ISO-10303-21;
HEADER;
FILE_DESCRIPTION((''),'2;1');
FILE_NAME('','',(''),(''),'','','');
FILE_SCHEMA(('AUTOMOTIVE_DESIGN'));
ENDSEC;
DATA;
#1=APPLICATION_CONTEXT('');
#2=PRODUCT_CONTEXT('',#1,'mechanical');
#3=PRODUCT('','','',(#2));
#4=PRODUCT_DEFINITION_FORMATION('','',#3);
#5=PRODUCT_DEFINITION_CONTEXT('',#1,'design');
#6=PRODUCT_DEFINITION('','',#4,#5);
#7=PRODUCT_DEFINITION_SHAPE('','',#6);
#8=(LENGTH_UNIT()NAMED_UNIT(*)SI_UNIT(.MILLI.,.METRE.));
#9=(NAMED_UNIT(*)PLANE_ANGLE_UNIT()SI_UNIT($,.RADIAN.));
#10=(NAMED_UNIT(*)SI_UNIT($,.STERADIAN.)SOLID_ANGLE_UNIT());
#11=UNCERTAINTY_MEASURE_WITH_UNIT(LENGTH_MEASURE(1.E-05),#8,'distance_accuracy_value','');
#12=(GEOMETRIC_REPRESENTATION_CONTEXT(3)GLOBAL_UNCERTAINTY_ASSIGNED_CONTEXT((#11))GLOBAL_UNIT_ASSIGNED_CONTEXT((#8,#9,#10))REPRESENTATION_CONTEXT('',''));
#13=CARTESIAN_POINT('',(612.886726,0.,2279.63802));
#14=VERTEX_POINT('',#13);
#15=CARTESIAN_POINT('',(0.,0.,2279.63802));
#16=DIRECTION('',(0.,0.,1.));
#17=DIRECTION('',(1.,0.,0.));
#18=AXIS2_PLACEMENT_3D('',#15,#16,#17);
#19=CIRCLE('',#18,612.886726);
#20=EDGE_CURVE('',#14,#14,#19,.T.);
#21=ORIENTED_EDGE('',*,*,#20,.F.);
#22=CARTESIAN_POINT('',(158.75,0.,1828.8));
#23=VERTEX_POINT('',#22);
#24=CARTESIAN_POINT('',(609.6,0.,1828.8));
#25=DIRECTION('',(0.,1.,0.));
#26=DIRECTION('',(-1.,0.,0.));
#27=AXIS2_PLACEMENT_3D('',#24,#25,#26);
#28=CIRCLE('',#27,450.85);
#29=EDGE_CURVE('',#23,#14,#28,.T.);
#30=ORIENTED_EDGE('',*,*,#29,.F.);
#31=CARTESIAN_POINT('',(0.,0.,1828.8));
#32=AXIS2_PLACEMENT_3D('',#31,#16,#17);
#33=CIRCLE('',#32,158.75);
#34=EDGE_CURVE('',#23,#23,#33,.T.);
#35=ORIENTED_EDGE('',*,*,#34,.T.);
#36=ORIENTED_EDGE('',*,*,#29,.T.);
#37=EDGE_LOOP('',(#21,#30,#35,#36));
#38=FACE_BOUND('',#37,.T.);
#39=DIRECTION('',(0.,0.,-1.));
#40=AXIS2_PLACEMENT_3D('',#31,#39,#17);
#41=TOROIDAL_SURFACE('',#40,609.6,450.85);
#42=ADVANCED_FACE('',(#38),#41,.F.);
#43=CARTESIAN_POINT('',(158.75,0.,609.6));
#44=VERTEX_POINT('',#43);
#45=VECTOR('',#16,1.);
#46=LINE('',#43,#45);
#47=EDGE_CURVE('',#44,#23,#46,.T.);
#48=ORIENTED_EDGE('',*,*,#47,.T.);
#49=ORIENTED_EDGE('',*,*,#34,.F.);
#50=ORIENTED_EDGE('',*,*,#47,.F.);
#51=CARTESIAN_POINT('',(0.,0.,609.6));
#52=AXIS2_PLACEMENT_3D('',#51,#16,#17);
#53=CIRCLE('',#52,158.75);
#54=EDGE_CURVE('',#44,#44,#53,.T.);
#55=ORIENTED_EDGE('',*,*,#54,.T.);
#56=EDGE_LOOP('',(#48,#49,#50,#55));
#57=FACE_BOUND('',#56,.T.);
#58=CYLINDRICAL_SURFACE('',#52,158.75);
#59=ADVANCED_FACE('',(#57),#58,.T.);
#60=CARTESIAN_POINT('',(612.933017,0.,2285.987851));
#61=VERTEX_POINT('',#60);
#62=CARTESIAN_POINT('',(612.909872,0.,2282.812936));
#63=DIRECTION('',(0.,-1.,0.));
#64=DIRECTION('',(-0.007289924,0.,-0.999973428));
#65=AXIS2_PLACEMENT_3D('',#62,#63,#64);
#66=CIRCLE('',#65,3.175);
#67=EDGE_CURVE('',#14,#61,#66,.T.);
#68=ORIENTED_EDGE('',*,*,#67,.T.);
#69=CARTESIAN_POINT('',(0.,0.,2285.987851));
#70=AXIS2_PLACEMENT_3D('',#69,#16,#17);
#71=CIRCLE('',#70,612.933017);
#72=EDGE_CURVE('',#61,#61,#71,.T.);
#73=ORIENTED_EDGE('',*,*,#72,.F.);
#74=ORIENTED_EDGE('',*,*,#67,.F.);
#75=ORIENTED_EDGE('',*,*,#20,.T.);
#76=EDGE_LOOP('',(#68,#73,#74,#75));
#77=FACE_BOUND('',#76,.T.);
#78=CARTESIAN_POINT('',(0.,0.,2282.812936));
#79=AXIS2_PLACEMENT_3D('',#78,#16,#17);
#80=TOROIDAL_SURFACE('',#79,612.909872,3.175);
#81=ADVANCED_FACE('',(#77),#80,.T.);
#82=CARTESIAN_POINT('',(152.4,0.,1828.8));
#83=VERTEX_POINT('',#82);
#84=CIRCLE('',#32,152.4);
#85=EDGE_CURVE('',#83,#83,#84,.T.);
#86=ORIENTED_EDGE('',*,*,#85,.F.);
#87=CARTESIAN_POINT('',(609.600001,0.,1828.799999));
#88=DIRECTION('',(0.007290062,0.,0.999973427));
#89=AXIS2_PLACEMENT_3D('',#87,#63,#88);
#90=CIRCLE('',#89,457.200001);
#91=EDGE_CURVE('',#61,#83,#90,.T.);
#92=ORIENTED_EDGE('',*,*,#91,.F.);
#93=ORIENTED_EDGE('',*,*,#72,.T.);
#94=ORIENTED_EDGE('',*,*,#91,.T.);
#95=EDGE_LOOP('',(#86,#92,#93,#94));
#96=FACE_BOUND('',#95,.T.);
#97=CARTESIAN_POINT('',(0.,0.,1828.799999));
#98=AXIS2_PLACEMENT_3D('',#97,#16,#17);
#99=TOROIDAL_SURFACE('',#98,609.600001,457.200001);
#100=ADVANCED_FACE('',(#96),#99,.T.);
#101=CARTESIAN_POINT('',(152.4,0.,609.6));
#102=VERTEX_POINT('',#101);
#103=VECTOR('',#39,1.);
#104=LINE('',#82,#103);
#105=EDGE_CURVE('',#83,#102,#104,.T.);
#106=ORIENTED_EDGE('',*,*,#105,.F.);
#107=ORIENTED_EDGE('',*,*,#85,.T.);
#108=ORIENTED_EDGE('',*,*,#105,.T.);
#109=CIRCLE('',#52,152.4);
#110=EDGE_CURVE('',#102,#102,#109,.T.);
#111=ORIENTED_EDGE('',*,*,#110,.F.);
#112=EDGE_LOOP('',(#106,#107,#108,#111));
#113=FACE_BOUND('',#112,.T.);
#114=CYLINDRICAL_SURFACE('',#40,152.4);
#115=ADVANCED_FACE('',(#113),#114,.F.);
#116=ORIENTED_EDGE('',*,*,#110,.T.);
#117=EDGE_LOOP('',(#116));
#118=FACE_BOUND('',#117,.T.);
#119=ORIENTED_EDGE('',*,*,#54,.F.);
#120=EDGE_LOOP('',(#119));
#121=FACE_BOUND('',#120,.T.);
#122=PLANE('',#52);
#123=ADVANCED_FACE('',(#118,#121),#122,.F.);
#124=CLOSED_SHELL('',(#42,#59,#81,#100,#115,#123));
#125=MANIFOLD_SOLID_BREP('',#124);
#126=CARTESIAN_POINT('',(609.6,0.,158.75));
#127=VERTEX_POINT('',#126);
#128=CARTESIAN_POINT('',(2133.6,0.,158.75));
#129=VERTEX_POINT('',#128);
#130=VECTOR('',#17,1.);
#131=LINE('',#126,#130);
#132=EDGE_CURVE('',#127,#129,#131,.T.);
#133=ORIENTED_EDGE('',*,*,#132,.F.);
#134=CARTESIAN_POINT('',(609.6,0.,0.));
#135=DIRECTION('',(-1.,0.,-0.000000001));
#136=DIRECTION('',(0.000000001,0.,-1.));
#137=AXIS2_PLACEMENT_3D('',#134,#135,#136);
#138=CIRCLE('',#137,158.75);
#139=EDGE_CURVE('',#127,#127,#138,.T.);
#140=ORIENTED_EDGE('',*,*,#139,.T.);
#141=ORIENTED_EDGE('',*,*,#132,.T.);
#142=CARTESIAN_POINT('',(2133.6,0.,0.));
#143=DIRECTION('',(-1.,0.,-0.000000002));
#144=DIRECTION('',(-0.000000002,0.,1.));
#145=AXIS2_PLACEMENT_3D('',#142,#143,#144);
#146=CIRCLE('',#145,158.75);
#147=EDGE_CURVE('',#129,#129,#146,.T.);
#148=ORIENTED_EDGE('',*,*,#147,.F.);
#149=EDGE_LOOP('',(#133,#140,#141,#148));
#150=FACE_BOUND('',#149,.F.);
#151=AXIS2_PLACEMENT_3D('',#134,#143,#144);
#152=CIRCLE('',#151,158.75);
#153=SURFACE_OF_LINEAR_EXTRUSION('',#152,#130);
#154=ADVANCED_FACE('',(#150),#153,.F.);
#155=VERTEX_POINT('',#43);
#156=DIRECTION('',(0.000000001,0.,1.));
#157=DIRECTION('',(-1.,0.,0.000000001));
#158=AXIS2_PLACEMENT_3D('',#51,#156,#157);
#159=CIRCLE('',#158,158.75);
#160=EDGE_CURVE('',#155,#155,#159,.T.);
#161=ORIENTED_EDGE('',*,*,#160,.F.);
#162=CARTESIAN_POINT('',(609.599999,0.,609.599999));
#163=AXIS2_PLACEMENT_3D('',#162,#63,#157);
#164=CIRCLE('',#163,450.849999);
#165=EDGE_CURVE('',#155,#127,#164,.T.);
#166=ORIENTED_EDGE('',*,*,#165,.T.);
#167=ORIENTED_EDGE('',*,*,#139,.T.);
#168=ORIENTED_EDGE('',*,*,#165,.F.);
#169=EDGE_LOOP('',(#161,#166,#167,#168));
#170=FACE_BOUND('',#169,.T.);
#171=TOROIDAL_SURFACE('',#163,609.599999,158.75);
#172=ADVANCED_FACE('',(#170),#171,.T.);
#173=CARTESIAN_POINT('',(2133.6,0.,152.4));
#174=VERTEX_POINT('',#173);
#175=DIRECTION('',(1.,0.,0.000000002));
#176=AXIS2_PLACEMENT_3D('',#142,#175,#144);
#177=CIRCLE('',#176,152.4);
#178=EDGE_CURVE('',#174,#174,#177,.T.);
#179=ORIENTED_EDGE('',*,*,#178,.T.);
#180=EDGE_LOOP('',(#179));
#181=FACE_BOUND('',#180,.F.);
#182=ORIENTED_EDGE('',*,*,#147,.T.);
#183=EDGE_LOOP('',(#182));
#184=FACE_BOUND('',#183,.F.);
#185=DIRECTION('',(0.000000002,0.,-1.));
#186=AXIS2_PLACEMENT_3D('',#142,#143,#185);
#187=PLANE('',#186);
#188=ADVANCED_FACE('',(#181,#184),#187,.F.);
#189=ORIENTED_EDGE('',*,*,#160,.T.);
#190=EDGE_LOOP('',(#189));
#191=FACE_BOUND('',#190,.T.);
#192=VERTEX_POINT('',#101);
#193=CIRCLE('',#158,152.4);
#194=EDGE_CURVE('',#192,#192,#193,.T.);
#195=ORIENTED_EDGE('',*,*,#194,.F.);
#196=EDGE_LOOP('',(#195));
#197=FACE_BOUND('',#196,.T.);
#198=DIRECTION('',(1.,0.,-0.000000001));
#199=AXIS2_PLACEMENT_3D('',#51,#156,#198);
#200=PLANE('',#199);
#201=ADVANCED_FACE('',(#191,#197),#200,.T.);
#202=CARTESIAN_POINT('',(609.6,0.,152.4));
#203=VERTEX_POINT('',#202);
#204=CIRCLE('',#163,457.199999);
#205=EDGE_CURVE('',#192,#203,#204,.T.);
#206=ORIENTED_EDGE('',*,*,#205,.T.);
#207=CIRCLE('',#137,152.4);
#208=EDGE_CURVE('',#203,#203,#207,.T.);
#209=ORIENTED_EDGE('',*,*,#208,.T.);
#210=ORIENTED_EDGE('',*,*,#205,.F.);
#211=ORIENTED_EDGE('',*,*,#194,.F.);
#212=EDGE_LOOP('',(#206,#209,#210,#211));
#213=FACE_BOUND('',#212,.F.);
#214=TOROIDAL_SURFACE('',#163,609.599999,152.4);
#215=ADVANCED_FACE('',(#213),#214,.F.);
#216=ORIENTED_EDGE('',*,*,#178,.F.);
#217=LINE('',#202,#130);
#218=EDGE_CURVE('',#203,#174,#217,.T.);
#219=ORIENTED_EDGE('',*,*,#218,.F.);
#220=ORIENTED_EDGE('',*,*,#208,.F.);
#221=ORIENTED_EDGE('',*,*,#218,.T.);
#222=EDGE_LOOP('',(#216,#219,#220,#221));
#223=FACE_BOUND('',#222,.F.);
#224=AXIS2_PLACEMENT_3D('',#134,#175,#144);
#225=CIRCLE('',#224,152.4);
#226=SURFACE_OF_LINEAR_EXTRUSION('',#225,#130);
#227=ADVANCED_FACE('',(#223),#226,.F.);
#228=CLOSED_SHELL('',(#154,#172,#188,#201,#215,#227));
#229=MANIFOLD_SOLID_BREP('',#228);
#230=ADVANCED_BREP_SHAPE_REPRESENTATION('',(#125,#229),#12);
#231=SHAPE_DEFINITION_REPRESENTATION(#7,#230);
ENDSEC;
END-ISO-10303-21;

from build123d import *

# Parameters (mm, degrees)
F3_R   = 158.75
F3_R_2 = 152.4


with BuildPart() as f4:
    # F4: sweep along a path in F0
    with BuildLine(Plane.XZ) as f4_path:
        ThreePointArc((0, 609.6), (178.547706, 178.547706), (609.6, 0))
        Line((609.6, 0), (2133.6, 0))
    # F3 (on offset) → F4 (sweep)
    with BuildSketch(Plane.XY.offset(609.6)):
        Circle(F3_R)
        Circle(F3_R_2, mode=Mode.SUBTRACT)
    sweep(path=f4_path.line)


with BuildPart() as f5:
    # F1 (on Front) → F5 (revolve)
    with BuildSketch(Plane.XZ):
        with BuildLine():
            Line((152.4, 1828.8), (152.4, 609.6))
            Line((152.4, 609.6), (158.75, 609.6))
            Line((158.75, 609.6), (158.75, 1828.8))
            ThreePointArc((158.75, 1828.8), (291.965066, 2148.759015), (612.886726, 2279.63802))
            ThreePointArc((612.886726, 2279.63802), (616.084787, 2282.789789), (612.933017, 2285.987851))
            ThreePointArc((612.933017, 2285.987851), (287.491335, 2153.26548), (152.4, 1828.8))
        make_face()
    revolve(axis=Axis((0, 0, 2057.4), (0, 0, 1)))


solid = Compound([f4.part, f5.part])
